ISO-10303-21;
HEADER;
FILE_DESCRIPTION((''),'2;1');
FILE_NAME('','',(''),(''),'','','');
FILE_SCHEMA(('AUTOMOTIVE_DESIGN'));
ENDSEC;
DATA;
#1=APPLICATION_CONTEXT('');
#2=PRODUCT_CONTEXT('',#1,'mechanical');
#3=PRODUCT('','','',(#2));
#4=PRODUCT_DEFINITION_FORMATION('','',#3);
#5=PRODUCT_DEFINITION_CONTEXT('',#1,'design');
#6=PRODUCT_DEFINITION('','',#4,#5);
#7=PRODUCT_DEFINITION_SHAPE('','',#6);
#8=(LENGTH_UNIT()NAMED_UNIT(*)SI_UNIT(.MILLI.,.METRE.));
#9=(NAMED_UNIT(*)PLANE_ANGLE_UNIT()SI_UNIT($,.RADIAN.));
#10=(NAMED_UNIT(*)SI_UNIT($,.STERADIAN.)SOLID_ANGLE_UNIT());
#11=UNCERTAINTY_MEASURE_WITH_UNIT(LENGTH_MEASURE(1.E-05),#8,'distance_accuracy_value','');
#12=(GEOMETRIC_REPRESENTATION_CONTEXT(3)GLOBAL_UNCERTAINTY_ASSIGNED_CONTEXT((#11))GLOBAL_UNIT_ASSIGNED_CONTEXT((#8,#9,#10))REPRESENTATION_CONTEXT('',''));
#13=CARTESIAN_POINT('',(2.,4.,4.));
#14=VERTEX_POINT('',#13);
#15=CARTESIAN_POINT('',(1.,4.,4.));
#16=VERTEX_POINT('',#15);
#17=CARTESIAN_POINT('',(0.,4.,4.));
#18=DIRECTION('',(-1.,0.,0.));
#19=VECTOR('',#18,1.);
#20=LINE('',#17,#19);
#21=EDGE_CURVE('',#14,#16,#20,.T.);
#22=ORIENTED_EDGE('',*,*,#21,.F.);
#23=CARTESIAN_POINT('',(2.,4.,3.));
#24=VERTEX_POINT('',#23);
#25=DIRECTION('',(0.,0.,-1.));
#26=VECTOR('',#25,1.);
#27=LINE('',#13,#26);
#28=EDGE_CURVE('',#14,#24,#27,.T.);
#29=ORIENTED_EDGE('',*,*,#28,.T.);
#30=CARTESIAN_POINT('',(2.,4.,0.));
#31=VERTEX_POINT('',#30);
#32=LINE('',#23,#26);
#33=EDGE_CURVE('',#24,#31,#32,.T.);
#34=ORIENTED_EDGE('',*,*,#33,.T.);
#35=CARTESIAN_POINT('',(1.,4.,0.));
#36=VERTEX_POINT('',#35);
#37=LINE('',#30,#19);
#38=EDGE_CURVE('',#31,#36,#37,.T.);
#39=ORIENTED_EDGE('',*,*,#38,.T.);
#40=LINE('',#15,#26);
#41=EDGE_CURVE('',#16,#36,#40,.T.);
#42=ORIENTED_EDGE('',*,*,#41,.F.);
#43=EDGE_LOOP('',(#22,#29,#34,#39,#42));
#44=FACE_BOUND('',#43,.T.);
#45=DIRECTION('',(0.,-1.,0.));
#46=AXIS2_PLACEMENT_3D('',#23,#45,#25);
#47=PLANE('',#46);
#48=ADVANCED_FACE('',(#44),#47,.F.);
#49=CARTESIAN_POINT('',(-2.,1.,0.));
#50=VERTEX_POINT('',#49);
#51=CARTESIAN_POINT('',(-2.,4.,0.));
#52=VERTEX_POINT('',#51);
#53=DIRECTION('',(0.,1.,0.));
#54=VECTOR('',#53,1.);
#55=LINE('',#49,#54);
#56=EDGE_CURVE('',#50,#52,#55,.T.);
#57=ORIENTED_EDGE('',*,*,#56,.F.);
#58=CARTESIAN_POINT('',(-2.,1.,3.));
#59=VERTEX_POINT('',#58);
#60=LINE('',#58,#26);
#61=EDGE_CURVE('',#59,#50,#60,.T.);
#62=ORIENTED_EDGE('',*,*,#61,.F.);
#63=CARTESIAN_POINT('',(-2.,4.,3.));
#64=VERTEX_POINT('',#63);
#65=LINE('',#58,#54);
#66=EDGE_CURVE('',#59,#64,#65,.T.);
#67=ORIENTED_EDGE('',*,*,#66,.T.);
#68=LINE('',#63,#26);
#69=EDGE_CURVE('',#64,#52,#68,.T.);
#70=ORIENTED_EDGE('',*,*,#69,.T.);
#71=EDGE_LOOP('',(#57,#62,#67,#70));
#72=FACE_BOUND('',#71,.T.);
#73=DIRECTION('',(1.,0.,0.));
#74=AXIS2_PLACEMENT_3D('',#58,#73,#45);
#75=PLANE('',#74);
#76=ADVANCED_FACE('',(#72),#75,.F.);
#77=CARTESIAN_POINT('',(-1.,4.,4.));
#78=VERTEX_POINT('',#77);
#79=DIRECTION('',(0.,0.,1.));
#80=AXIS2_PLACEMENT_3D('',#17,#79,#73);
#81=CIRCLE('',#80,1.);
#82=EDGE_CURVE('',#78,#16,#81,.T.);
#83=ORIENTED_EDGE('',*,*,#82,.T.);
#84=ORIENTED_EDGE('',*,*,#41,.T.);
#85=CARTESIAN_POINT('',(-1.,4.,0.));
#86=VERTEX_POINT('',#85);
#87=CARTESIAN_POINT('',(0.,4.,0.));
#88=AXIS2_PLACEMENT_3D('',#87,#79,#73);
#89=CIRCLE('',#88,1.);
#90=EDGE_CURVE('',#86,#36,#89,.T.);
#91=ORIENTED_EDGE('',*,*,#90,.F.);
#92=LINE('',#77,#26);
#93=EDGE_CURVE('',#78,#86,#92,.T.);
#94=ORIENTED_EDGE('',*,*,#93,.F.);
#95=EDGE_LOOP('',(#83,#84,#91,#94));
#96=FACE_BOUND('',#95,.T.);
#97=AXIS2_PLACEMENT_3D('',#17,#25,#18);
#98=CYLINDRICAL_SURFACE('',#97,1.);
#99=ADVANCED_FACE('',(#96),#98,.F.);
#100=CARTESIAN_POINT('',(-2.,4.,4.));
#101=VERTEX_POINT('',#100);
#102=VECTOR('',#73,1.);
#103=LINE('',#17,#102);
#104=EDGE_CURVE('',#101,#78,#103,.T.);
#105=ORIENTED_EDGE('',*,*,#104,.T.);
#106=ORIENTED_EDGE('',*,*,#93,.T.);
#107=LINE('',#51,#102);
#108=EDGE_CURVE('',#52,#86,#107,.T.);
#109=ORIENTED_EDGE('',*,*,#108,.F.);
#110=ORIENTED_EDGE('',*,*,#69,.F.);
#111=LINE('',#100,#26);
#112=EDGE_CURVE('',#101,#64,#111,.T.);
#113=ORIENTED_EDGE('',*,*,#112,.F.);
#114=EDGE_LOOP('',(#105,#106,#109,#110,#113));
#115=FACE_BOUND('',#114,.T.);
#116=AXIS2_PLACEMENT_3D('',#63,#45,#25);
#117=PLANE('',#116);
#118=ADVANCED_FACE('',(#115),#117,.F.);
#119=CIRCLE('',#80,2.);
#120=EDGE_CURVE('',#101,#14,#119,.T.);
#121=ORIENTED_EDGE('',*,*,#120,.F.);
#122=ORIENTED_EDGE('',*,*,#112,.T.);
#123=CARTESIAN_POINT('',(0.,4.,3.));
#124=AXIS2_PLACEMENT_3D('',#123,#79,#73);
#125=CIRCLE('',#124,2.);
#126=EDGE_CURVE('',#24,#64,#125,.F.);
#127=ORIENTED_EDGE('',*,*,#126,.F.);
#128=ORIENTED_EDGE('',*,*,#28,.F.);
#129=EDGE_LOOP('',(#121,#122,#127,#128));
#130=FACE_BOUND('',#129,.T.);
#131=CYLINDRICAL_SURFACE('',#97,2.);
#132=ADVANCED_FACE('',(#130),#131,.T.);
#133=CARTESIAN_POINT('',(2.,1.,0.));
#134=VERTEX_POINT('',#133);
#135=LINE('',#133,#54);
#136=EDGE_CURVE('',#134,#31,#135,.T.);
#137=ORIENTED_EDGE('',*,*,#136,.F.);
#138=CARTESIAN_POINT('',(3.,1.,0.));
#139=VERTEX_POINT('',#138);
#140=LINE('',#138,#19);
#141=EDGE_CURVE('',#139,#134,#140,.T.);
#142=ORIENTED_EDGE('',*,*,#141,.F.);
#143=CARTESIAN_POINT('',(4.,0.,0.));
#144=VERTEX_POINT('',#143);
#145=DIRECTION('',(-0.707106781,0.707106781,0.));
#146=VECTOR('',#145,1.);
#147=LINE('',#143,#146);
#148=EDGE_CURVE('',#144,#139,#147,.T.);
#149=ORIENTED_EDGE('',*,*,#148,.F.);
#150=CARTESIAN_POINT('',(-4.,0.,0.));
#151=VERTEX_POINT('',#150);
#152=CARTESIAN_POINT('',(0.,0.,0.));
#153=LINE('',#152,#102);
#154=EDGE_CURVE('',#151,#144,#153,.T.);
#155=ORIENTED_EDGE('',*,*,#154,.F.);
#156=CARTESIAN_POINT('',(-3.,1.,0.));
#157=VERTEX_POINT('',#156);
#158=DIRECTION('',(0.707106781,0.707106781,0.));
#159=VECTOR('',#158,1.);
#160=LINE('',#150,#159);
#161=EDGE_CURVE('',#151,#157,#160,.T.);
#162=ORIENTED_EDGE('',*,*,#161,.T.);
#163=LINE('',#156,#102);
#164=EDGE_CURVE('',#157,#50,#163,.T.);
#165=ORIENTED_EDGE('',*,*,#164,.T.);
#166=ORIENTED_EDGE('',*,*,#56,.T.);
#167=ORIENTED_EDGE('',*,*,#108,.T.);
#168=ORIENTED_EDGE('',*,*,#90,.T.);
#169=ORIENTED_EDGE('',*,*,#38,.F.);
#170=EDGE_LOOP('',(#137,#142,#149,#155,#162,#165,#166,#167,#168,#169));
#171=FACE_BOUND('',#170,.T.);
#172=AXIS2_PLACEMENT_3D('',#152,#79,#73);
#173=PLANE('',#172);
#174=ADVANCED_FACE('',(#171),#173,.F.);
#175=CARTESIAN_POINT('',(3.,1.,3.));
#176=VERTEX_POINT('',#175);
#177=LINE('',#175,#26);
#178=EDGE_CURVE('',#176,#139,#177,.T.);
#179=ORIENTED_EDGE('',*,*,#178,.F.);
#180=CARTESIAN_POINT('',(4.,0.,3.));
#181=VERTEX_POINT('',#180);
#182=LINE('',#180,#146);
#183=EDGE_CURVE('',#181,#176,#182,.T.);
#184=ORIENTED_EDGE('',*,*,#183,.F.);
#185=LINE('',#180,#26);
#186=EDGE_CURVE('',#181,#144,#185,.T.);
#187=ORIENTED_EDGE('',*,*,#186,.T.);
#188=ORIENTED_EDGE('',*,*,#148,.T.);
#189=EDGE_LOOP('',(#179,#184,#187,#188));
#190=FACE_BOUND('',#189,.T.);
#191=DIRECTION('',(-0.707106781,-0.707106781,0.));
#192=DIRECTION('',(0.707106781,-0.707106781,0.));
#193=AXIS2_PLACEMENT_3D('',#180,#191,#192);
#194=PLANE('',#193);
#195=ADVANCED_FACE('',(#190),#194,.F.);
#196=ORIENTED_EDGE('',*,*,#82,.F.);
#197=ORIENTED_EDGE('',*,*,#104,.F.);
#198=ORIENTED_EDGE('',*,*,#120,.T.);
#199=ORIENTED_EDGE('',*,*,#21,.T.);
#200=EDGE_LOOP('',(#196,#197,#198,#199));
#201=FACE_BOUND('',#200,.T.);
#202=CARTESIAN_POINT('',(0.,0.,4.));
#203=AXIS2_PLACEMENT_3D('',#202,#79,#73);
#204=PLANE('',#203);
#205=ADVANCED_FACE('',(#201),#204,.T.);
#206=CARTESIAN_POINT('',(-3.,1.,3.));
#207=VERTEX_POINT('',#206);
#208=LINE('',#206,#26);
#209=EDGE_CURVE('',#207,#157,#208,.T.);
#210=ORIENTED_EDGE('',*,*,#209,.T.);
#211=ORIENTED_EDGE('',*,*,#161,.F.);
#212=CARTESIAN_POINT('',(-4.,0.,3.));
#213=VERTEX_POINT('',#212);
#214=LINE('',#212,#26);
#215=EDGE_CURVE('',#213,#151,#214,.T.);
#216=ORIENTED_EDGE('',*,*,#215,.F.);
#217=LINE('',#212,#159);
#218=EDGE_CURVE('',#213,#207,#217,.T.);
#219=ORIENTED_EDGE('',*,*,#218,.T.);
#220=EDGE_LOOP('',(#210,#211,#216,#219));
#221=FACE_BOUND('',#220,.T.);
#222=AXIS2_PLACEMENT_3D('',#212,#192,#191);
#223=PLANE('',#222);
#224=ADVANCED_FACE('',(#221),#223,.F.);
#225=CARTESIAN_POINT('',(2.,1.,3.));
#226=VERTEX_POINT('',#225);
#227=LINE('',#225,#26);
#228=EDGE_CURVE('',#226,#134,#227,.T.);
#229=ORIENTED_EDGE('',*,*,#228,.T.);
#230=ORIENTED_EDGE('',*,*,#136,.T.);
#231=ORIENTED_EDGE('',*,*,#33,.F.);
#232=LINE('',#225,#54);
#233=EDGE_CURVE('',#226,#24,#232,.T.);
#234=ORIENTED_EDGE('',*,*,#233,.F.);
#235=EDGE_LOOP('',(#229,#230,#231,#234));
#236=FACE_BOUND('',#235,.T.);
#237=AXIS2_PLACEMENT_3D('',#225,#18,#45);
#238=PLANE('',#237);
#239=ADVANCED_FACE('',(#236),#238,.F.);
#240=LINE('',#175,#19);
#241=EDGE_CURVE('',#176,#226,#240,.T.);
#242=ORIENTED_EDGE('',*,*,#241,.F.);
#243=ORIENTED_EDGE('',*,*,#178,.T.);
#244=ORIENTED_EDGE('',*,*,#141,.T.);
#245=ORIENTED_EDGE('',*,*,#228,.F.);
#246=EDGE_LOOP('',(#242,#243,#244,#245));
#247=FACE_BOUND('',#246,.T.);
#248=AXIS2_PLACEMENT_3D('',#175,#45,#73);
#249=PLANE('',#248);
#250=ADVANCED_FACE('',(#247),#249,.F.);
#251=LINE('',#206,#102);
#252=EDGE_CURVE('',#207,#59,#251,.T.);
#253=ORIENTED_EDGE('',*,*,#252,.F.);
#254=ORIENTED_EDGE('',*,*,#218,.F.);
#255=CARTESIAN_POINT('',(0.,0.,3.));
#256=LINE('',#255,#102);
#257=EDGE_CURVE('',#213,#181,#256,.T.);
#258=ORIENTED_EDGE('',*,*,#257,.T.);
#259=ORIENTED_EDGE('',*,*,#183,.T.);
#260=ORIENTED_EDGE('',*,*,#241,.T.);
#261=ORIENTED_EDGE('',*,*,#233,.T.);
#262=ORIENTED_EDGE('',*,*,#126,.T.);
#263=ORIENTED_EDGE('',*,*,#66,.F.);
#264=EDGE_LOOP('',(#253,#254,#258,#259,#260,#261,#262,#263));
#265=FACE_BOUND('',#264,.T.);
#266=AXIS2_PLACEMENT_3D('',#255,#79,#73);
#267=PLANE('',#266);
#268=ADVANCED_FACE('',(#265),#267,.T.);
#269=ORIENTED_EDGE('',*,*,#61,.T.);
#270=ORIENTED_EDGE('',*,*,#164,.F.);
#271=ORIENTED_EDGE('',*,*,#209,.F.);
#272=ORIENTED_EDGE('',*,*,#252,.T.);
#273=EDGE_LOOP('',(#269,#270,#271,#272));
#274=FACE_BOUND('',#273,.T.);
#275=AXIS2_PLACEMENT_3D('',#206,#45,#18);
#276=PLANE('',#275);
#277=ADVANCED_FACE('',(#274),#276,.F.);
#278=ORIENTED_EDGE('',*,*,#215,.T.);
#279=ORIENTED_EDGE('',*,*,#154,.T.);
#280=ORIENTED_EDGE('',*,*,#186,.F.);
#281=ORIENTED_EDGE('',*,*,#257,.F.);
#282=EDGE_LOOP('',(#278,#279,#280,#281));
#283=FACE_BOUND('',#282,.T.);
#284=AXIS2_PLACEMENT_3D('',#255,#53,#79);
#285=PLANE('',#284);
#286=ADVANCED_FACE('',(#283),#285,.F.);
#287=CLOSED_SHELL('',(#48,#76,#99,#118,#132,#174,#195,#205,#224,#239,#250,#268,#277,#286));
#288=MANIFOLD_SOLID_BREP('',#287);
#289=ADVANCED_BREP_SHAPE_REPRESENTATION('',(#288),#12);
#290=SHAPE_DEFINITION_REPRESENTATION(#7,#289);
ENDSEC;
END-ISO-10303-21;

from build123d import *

# Parameters (mm, degrees)
EXTRUDE_1_DEPTH     = 3
EXTRUDE_2_DEPTH     = 4
CUT_EXTRUDE_1_DEPTH = 4


with BuildPart() as part:
    # 草圖1 → 填料-伸長1 (new body)
    with BuildSketch(Plane.XY):
        Polygon((0, 0), (4, 0), (3, 1), (2, 1), (2, 4), (0, 4), align=None)
    extrude_1 = extrude(amount=EXTRUDE_1_DEPTH)

    # 草圖2 → 填料-伸長2 (add)
    with BuildSketch(Plane.XY):
        with BuildLine():
            ThreePointArc((0, 2), (1.414213562, 2.585786438), (2, 4))
            Line((2, 4), (1, 4))
            ThreePointArc((1, 4), (0.707106781, 3.292893219), (0, 3))
            Line((0, 3), (0, 2))
        make_face()
    extrude_2 = extrude(amount=EXTRUDE_2_DEPTH)

    # 草圖2<3> → 除料-伸長1 (cut)
    with BuildSketch(Plane.XY):
        with BuildLine():
            ThreePointArc((0, 3), (0.707106781, 3.292893219), (1, 4))
            Line((1, 4), (0, 4))
            Line((0, 4), (0, 3))
        make_face()
    cut_extrude_1 = extrude(amount=CUT_EXTRUDE_1_DEPTH, mode=Mode.SUBTRACT)

    # 鏡射1: 填料-伸長1, 填料-伸長2, 除料-伸長1 across plane
    add(extrude_1.mirror(Plane(origin=(0, 0, 0), x_dir=(0, 0, 1), z_dir=(1, 0, 0))))
    add(extrude_2.mirror(Plane(origin=(0, 0, 0), x_dir=(0, 0, 1), z_dir=(1, 0, 0))))
    add(cut_extrude_1.mirror(Plane(origin=(0, 0, 0), x_dir=(0, 0, 1), z_dir=(1, 0, 0))), mode=Mode.SUBTRACT)


solid = part.part
